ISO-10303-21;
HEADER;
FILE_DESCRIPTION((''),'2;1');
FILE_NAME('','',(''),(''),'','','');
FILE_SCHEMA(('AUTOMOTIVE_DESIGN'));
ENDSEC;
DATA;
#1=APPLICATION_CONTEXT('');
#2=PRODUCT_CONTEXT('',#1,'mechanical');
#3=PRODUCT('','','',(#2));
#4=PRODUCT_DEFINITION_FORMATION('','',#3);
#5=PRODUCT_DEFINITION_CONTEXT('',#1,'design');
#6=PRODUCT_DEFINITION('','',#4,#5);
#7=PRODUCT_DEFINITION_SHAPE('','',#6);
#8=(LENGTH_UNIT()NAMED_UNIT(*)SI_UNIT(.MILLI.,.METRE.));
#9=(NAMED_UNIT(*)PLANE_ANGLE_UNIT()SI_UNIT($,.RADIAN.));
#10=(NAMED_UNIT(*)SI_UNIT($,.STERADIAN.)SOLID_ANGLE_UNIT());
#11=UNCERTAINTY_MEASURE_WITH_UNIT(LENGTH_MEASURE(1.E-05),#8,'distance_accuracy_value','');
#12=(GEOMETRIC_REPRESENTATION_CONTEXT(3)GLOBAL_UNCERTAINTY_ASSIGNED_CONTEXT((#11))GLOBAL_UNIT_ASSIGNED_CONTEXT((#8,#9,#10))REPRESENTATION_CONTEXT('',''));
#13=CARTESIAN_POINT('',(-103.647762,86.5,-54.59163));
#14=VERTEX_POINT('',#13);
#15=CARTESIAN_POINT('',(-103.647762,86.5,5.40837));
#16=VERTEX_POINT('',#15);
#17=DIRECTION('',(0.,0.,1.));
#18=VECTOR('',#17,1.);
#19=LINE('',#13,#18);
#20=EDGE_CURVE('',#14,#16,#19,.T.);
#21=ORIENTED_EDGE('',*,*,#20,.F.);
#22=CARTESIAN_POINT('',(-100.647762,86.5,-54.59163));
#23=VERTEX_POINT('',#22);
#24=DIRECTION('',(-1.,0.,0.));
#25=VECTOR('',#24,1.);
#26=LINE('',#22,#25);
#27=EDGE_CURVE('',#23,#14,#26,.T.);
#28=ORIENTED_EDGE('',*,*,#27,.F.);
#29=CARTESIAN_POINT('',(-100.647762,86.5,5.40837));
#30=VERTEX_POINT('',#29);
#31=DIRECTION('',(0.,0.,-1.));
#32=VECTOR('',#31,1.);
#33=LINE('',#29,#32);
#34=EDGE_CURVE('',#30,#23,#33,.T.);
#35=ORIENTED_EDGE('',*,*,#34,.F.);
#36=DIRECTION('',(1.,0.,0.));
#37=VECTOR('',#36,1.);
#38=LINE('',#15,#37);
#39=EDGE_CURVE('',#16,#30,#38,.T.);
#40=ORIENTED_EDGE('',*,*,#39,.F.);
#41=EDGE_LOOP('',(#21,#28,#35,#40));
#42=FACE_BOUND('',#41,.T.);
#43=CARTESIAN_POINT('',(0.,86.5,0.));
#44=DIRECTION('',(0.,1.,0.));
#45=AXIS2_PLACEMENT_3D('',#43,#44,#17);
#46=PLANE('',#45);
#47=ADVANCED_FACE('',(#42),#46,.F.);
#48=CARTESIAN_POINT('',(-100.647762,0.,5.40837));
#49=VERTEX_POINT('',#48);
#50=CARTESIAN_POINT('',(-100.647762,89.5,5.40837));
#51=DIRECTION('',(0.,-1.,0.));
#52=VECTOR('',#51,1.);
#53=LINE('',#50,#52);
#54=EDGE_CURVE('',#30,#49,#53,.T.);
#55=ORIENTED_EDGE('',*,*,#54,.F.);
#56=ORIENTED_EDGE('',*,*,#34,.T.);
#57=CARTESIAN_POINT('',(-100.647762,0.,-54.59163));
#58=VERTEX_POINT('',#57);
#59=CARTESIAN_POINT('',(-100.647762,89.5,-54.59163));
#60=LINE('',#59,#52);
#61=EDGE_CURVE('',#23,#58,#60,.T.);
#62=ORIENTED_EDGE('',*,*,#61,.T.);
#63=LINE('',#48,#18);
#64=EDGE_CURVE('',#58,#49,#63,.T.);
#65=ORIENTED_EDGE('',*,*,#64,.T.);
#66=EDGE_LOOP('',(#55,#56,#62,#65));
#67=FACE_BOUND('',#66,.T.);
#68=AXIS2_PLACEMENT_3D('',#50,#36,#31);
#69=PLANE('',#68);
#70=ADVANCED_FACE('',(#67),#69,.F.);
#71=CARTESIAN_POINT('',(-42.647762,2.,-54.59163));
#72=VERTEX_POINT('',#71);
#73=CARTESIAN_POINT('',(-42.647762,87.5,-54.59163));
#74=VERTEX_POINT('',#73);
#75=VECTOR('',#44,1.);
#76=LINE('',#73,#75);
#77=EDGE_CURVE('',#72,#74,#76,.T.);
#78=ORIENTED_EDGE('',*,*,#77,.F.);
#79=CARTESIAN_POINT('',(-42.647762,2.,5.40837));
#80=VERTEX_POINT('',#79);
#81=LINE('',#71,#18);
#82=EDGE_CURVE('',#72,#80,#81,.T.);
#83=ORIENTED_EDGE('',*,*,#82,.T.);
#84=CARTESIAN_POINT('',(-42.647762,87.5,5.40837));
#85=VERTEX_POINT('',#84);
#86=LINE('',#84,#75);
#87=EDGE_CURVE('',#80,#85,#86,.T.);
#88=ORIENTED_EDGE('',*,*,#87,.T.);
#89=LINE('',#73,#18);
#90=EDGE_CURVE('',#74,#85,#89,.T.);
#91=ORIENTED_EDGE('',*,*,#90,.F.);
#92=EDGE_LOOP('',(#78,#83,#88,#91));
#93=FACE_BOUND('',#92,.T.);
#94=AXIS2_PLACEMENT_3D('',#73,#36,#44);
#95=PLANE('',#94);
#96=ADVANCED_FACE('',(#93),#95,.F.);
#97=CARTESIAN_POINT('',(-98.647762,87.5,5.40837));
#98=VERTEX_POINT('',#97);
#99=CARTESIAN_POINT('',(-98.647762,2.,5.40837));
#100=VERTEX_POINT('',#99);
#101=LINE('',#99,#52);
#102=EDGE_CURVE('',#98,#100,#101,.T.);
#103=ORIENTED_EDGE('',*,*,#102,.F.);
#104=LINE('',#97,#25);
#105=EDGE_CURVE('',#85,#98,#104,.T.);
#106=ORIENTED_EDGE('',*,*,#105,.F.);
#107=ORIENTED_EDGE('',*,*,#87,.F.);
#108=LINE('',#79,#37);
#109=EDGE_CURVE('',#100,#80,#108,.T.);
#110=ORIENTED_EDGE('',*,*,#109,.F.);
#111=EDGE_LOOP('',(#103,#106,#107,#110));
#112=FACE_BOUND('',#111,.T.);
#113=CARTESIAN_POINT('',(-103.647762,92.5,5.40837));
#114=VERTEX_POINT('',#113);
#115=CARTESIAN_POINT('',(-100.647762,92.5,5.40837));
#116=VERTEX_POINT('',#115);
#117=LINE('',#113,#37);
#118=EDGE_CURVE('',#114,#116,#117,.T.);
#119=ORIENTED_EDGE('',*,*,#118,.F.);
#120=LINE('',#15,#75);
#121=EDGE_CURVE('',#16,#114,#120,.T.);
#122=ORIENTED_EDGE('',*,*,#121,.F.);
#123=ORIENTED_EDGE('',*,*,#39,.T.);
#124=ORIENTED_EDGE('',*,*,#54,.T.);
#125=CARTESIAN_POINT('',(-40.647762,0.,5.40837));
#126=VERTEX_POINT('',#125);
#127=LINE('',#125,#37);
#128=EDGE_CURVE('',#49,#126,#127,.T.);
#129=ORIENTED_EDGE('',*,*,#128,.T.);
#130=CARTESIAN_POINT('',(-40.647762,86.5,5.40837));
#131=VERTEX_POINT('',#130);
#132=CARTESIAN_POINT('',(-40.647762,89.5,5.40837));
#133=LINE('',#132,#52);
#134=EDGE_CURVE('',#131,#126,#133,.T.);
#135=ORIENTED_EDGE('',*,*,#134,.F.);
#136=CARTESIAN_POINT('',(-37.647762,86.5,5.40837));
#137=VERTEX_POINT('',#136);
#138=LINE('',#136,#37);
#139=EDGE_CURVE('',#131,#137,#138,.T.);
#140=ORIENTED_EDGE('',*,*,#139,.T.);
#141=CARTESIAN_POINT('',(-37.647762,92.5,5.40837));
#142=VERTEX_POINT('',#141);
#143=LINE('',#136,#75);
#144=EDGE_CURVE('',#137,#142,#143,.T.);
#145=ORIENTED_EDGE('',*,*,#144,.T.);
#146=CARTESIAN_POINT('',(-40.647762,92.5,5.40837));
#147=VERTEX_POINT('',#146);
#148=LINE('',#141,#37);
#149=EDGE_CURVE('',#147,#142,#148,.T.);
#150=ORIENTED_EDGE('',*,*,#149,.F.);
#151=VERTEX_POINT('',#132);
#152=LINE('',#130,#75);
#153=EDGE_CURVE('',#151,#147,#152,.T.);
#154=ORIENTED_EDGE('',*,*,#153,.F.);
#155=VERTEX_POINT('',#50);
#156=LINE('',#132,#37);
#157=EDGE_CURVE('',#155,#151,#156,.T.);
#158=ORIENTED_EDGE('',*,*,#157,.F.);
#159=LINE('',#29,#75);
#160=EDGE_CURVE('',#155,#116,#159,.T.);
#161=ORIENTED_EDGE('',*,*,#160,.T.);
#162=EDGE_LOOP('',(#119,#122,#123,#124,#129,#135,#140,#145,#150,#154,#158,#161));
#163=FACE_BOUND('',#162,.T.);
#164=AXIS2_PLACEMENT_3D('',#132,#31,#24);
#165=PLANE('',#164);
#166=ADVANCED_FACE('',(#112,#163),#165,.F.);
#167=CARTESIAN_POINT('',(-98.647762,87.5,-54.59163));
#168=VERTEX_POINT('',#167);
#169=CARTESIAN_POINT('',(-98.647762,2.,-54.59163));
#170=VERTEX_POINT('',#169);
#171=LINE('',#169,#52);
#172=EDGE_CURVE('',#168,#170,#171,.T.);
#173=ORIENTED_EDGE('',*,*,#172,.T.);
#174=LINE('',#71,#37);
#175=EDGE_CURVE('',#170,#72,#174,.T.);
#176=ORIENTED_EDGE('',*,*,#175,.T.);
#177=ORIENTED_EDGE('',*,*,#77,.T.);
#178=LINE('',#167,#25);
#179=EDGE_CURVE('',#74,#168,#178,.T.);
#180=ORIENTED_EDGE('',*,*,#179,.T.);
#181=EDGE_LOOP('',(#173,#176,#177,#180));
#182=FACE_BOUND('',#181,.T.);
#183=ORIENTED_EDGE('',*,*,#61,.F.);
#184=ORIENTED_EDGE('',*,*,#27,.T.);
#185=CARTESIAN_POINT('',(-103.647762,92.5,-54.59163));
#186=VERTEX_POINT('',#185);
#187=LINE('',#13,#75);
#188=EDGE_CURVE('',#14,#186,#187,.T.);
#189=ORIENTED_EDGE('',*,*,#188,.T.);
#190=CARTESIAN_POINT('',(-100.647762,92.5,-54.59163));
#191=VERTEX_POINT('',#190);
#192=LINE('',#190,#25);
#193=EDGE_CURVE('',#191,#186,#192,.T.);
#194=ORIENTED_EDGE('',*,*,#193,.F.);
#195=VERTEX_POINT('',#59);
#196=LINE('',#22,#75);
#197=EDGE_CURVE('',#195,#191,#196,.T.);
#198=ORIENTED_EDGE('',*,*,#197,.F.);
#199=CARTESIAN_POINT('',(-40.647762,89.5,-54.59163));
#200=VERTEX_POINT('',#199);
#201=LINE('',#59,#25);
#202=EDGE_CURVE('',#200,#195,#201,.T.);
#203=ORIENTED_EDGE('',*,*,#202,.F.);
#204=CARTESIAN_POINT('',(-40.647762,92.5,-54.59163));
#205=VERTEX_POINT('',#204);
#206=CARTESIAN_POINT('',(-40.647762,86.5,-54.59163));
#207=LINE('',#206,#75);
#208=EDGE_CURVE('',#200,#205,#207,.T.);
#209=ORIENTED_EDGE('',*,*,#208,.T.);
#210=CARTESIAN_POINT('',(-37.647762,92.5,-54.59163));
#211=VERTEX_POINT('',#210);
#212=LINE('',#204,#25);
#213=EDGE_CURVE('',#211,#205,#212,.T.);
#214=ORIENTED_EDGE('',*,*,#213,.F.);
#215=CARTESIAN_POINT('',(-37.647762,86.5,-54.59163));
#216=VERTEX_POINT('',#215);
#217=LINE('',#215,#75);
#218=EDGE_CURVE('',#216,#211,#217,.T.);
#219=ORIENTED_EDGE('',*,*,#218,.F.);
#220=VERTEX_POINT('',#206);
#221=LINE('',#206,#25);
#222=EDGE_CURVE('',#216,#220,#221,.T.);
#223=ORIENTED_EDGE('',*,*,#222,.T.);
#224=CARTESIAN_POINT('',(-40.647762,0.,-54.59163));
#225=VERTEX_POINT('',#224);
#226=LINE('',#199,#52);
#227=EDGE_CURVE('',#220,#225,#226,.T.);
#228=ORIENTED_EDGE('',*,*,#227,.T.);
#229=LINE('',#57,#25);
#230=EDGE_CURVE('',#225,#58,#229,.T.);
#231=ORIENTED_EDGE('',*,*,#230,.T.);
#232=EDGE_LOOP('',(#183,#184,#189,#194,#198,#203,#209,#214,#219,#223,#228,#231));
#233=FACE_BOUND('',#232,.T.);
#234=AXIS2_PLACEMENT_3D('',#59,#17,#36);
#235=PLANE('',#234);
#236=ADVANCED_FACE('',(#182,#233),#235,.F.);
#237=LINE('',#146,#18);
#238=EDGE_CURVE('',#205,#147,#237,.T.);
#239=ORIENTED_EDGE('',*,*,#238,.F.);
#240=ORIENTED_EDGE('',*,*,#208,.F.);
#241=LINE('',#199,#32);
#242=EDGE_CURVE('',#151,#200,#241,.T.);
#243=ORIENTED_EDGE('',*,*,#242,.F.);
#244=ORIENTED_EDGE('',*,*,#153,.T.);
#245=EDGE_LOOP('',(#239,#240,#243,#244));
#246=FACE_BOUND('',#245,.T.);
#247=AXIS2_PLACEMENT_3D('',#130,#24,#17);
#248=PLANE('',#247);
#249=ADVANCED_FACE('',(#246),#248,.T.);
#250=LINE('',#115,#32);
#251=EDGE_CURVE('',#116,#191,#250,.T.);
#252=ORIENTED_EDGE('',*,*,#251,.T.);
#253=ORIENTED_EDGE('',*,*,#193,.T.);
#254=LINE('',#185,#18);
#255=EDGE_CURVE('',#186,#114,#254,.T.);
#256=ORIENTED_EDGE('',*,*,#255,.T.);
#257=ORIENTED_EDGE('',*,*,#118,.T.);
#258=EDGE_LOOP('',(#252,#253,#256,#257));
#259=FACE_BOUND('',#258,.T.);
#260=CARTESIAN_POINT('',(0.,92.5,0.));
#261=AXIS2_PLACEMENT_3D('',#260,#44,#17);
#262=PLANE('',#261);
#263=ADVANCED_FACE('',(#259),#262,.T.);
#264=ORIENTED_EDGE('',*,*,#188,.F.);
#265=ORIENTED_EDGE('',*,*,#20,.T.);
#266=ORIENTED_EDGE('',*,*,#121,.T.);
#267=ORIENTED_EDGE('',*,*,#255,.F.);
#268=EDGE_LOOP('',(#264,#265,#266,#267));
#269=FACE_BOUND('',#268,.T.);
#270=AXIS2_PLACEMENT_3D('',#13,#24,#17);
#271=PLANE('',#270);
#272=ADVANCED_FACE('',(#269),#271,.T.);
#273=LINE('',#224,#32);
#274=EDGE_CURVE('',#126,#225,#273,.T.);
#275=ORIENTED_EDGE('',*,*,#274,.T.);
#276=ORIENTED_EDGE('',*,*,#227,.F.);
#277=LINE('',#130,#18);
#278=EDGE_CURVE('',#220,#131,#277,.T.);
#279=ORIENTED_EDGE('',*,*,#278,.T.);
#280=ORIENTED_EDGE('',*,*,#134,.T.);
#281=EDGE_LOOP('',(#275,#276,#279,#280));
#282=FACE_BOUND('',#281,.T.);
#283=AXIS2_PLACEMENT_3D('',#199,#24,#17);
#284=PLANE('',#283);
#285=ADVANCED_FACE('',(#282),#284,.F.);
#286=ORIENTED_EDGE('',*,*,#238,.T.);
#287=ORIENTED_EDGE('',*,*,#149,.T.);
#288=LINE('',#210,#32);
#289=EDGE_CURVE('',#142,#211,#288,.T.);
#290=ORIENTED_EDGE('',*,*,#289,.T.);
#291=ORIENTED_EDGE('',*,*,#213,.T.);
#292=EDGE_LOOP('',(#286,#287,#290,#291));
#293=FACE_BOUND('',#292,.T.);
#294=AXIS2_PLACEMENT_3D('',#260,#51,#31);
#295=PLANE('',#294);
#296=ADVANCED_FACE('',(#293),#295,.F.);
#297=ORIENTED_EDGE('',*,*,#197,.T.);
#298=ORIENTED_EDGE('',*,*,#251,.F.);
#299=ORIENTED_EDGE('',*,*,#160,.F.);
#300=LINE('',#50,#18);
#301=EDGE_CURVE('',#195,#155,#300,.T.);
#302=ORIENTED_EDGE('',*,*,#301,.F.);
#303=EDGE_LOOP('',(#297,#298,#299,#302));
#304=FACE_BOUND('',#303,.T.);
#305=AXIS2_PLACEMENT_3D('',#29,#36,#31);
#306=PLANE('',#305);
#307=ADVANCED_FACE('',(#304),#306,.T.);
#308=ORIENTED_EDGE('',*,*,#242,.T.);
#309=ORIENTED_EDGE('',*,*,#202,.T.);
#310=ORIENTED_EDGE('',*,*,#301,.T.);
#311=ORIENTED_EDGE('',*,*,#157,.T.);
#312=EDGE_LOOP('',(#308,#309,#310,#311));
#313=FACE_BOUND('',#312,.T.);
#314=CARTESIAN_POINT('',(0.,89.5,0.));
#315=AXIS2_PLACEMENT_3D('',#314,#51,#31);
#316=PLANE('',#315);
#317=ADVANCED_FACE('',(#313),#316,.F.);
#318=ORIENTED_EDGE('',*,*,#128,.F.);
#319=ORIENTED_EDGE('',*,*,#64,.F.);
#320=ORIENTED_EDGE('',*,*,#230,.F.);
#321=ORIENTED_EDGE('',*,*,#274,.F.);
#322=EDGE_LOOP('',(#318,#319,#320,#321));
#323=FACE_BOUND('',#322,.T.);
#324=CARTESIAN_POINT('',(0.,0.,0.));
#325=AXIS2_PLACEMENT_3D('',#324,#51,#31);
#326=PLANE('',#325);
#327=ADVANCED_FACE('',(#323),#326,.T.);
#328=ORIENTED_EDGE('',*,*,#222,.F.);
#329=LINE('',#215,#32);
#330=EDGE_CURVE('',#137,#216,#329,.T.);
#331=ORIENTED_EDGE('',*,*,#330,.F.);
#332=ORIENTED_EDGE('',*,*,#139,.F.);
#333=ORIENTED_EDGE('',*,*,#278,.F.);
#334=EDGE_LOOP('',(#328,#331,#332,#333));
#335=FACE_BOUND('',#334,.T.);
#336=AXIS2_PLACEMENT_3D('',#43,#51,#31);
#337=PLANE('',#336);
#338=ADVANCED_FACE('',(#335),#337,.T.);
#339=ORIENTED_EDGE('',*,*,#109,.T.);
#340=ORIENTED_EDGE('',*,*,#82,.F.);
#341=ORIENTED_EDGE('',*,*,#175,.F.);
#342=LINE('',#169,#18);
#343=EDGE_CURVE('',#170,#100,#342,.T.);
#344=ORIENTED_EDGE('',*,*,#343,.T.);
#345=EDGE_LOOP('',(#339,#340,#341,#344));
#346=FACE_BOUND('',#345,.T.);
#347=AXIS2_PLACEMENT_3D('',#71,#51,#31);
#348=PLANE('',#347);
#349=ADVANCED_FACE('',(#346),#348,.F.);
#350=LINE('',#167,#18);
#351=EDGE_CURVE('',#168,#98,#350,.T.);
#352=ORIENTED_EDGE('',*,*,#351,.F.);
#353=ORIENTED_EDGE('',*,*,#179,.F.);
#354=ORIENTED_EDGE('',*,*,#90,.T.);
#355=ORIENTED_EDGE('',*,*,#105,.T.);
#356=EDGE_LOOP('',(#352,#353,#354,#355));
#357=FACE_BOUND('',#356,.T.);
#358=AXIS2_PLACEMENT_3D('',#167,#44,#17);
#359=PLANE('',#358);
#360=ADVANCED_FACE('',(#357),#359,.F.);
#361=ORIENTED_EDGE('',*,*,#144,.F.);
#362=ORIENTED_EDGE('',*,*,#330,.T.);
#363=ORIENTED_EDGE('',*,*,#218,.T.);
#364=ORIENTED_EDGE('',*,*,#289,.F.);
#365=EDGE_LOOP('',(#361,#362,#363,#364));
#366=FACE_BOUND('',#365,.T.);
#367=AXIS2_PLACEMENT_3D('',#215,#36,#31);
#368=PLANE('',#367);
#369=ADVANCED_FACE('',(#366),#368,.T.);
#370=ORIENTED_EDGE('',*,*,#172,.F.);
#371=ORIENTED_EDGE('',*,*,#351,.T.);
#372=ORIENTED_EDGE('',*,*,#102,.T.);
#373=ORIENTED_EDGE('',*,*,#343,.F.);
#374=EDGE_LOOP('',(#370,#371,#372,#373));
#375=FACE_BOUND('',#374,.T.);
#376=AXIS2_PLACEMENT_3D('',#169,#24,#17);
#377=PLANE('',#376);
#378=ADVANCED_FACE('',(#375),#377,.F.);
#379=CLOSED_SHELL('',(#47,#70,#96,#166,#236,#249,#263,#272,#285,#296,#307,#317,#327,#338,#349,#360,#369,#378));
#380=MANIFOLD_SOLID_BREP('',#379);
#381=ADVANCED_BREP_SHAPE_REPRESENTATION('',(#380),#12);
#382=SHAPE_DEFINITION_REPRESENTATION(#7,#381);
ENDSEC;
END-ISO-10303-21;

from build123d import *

# Parameters (mm, degrees)
SKETCH2_W                = 60
SKETCH2_H                = 60
BOSS_EXTRUDE1_DEPTH      = 89.5
SKETCH3_W                = 56
SKETCH3_H                = 85.5
CUT_EXTRUDE1_DEPTH       = 60
BOSS_EXTRUDE2_DEPTH      = 3
BOSS_EXTRUDE2_DEPTH_BACK = 3
SKETCH4_W                = 3
SKETCH4_H                = 60


with BuildPart() as part:
    # Sketch2 → Boss-Extrude1 (new body)
    with BuildSketch(Plane(origin=(0, 0, 0), x_dir=(1, 0, 0), z_dir=(0, 1, 0))):
        with Locations((-70.647761504, 24.591630357)):
            Rectangle(SKETCH2_W, SKETCH2_H)
    extrude(amount=BOSS_EXTRUDE1_DEPTH)

    # Sketch3 → Cut-Extrude1 (cut)
    with BuildSketch(Plane.XY.offset(5.408369643)):
        with Locations((-70.647761504, 44.75)):
            Rectangle(SKETCH3_W, SKETCH3_H)
    extrude(amount=-CUT_EXTRUDE1_DEPTH, mode=Mode.SUBTRACT)

    # Sketch4 → Boss-Extrude2 (add, two sides: drawn at the far end of the back side and taken through both)
    with BuildSketch(Plane(origin=(0, 89.5, 0), x_dir=(1, 0, 0), z_dir=(0, 1, 0)).offset(-BOSS_EXTRUDE2_DEPTH_BACK)):
        with Locations((-102.147761504, 24.591630357)):
            Rectangle(SKETCH4_W, SKETCH4_H)
        with Locations((-39.147761504, 24.591630357)):
            Rectangle(SKETCH4_W, SKETCH4_H)
    extrude(amount=BOSS_EXTRUDE2_DEPTH + BOSS_EXTRUDE2_DEPTH_BACK)


solid = part.part
